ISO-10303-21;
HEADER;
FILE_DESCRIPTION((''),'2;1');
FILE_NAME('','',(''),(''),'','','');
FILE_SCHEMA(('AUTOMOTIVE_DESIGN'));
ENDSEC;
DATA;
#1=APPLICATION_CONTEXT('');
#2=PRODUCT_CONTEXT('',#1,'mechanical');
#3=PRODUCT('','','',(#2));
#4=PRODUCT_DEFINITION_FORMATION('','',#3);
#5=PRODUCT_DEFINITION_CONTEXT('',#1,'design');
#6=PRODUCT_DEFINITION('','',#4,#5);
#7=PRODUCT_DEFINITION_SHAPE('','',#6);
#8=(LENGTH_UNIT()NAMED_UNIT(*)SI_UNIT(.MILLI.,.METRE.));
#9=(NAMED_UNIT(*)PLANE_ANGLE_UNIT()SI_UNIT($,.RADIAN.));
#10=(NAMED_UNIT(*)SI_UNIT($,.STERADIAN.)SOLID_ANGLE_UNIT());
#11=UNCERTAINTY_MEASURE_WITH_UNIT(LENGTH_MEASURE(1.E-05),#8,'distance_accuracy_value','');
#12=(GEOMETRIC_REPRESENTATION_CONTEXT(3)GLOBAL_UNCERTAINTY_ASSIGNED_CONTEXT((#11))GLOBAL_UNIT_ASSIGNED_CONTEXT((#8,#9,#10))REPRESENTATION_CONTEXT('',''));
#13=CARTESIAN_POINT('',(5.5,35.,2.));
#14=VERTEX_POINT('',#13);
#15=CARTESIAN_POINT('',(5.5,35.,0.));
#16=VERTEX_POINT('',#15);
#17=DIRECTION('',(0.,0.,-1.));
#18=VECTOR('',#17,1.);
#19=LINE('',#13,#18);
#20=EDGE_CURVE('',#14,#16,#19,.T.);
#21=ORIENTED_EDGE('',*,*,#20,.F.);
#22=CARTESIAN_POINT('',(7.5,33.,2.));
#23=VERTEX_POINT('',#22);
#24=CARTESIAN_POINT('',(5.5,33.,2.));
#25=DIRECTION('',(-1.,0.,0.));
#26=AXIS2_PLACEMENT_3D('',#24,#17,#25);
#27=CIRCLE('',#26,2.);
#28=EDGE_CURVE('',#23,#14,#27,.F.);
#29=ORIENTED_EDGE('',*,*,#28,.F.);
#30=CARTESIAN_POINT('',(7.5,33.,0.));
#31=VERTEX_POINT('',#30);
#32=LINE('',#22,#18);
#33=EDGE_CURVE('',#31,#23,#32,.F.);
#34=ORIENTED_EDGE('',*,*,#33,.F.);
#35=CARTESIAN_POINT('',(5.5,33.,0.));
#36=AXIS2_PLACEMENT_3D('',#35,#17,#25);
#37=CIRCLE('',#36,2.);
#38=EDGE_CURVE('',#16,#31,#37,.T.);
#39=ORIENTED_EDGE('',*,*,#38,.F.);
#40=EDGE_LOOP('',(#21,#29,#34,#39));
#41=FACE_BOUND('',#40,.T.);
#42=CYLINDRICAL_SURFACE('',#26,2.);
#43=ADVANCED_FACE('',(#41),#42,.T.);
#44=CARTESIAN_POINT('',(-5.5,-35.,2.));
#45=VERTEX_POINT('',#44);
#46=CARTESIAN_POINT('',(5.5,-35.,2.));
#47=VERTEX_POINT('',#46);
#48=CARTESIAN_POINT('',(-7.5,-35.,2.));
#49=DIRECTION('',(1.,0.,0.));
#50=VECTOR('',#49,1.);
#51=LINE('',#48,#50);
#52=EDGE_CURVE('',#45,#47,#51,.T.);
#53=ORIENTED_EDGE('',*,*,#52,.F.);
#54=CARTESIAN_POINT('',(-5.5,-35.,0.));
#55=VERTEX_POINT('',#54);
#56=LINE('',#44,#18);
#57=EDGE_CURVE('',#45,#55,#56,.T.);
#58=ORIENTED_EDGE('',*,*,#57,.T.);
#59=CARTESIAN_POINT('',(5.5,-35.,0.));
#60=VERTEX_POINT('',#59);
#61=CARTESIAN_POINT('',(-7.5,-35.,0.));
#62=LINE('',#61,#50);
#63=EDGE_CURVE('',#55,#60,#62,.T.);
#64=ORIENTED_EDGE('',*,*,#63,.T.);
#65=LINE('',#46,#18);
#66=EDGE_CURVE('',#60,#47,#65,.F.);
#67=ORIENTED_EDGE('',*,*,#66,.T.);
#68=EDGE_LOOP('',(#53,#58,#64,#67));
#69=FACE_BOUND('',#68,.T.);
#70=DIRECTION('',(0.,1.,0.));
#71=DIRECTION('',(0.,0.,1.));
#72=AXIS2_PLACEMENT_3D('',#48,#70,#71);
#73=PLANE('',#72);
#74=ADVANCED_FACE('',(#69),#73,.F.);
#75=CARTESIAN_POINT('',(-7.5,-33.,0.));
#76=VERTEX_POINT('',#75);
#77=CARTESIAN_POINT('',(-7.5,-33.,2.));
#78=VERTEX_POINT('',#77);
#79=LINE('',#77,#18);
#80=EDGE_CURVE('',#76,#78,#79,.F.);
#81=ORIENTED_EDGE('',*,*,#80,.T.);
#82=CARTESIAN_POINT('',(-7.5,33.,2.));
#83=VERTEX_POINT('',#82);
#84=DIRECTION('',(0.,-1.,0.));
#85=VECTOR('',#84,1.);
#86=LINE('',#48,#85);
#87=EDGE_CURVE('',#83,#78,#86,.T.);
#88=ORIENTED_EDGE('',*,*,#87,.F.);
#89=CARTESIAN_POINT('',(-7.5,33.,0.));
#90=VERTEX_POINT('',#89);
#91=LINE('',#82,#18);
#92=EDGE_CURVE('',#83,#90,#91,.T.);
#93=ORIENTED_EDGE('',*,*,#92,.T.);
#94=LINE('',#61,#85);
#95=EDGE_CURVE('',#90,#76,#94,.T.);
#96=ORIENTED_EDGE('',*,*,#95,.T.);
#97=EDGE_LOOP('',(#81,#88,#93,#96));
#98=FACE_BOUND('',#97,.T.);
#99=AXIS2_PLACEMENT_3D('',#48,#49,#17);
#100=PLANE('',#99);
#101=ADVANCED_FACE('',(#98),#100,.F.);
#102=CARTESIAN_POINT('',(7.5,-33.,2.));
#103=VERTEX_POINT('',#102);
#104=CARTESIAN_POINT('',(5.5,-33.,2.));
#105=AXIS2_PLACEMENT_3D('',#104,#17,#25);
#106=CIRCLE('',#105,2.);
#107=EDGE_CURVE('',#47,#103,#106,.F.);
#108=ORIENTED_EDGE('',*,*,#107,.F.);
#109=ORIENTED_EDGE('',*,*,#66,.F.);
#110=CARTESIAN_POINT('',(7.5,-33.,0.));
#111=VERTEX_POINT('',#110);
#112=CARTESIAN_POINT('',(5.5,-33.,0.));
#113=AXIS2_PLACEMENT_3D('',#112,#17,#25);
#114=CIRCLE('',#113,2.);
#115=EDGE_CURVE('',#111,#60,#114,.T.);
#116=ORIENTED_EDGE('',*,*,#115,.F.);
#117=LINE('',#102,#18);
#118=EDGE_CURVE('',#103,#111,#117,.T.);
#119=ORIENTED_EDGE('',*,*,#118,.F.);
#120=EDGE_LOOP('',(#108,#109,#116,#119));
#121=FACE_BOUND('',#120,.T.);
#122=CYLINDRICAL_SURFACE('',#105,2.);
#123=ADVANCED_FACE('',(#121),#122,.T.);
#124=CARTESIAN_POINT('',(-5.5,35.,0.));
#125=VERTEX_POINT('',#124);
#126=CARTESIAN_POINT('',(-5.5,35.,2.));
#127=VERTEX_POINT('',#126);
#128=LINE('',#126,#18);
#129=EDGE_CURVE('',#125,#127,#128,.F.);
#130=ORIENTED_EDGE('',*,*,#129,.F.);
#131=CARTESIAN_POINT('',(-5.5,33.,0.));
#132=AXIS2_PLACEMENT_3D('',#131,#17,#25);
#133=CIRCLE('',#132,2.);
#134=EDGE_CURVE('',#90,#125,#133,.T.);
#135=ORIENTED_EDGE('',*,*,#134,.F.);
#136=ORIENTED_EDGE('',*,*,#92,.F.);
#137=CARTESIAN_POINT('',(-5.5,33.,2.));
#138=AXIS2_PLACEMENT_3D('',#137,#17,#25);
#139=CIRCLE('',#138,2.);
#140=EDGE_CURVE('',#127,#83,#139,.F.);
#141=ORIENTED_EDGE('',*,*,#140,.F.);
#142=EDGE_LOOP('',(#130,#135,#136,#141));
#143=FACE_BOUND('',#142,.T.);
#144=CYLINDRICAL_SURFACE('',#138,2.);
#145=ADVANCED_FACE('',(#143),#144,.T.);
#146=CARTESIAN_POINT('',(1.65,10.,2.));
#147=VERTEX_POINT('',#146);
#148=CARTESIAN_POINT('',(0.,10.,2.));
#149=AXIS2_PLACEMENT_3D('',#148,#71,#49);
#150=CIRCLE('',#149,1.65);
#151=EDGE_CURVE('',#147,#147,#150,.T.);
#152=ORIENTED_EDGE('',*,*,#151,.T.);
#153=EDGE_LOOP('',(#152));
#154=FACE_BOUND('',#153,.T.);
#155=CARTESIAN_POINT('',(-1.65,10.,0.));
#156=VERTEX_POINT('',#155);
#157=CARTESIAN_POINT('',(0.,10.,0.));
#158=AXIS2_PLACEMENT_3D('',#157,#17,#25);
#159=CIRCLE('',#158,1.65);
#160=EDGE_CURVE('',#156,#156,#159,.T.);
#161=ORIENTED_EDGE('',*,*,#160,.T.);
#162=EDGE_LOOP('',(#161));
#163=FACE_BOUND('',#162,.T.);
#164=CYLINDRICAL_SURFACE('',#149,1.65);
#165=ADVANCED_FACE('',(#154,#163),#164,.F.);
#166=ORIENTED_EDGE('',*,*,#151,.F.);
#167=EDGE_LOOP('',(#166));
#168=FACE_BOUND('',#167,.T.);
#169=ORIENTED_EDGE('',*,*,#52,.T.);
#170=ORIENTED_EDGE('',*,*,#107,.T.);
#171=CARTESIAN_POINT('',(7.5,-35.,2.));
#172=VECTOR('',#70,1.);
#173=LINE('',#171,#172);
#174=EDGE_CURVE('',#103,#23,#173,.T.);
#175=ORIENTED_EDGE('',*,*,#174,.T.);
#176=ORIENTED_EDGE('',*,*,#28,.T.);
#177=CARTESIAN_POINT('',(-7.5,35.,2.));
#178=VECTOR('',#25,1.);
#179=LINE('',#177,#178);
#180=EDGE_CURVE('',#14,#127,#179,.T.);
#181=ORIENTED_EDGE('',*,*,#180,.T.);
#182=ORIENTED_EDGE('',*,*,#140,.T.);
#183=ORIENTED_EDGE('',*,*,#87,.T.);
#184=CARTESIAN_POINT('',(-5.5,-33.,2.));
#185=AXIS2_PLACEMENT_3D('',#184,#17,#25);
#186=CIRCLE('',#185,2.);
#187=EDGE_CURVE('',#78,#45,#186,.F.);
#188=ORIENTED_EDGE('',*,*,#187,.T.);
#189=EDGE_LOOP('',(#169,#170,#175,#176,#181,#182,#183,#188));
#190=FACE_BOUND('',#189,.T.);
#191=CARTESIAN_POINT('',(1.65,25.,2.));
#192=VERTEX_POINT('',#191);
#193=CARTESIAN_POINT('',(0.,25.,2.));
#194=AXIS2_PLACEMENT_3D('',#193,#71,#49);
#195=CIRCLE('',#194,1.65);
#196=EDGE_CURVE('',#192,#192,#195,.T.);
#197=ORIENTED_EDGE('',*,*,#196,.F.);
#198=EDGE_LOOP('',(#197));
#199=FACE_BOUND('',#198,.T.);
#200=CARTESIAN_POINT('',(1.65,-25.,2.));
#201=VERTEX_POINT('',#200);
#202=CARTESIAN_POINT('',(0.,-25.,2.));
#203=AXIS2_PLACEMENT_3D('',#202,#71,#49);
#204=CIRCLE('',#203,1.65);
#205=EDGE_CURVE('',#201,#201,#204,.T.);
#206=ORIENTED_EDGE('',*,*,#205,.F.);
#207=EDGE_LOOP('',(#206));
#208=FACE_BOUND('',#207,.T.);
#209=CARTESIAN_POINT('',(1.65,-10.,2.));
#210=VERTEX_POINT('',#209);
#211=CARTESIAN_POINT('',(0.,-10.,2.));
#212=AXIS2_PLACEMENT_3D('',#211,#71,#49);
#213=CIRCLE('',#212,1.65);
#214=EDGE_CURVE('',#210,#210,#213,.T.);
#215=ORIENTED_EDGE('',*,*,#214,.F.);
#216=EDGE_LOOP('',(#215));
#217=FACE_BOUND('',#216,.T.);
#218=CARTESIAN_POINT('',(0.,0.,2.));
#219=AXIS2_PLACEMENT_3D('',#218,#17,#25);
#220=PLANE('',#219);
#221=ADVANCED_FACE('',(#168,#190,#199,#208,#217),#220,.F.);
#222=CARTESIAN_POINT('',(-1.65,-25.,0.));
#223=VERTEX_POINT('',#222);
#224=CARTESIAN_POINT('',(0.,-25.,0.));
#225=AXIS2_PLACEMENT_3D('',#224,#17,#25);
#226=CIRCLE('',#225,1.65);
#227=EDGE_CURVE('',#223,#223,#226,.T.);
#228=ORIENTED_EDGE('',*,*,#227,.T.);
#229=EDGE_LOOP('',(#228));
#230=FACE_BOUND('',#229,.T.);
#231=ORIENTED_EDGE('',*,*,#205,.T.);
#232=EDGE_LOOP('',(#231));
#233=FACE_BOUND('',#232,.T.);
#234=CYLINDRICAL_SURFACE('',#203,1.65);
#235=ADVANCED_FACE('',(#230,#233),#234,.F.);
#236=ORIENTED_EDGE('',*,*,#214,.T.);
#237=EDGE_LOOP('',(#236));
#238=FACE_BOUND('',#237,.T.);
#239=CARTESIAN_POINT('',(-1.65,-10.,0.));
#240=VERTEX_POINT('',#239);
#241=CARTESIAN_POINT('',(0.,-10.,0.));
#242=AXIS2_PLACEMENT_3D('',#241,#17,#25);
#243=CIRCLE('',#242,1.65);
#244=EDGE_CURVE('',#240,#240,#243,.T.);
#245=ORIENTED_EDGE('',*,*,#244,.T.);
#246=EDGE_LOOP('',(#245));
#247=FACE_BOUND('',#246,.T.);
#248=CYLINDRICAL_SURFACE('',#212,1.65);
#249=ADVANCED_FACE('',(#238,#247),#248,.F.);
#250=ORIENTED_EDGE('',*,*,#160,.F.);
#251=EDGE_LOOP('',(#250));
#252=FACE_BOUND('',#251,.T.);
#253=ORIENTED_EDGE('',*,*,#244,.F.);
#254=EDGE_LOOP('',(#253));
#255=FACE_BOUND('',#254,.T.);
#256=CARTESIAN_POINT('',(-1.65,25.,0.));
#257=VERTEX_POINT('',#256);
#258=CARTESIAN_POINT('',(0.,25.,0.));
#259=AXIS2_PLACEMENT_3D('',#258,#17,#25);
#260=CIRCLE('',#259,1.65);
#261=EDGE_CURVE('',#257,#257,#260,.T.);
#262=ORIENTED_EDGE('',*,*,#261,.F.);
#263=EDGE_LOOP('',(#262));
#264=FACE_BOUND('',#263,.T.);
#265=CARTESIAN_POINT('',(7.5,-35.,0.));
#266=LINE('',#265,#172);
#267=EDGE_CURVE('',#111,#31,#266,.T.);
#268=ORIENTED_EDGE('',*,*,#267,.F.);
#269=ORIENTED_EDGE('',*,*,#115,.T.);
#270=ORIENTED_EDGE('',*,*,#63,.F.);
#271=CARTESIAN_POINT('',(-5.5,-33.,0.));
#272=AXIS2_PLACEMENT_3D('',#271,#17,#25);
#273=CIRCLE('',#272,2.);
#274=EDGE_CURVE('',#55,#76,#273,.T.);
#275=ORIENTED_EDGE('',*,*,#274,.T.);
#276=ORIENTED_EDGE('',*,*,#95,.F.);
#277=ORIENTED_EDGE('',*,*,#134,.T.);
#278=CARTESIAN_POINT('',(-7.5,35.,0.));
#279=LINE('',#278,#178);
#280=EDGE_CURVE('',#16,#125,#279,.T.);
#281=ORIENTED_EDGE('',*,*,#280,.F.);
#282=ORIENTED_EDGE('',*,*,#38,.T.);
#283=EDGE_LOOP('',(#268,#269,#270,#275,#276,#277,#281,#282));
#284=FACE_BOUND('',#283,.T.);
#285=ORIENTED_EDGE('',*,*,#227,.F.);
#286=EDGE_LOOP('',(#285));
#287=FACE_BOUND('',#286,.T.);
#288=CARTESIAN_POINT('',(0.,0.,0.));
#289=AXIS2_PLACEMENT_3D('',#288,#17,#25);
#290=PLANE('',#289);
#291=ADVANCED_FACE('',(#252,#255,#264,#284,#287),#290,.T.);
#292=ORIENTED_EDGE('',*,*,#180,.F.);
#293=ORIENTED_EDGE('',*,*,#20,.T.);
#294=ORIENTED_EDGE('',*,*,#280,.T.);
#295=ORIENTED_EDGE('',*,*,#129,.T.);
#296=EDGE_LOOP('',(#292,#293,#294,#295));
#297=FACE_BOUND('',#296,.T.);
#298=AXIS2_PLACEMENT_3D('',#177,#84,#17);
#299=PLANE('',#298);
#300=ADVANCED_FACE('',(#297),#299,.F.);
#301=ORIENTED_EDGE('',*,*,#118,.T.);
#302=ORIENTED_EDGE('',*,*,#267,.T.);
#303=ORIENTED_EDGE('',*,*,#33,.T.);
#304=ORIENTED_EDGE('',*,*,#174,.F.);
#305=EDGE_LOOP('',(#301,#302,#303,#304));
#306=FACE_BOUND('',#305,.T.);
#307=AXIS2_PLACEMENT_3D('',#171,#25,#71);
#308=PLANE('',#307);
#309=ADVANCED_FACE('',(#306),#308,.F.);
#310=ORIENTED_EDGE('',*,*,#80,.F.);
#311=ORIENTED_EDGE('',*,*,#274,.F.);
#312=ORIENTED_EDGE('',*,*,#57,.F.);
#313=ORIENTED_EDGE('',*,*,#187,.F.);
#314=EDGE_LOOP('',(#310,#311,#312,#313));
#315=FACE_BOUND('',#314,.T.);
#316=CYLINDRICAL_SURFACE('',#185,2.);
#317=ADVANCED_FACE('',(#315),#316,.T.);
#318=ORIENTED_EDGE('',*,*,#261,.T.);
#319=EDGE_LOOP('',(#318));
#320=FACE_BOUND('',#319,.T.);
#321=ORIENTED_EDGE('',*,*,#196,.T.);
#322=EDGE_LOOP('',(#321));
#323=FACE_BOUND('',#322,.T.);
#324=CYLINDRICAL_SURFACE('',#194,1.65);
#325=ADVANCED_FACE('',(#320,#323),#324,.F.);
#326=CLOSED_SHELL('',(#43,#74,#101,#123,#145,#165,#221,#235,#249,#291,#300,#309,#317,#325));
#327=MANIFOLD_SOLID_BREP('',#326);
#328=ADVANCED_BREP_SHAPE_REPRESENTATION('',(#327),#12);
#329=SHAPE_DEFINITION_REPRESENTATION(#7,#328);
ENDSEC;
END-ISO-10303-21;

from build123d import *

# Parameters (mm, degrees)
SKETCH_1_W            = 15
SKETCH_1_H            = 70
EXTRUDE_1_DEPTH       = 2
HOLE_WIZARD_M41_D     = 3.3
HOLE_WIZARD_M41_DEPTH = 11.5
HOLE_WIZARD_M41_TIP   = 0.991420021
FILLET_1_R            = 2


with BuildPart() as part:
    # Эскиз1 → Бобышка-Вытянуть1 (new body)
    with BuildSketch(Plane.XY):
        Rectangle(SKETCH_1_W, SKETCH_1_H)
    extrude(amount=EXTRUDE_1_DEPTH)

    # Отверстие обработанное метчиком M41
    with Locations(Plane.XY.offset(2)):
        with Locations((0, 25), (0, -25), (0, -10), (0, 10)):
            Hole(HOLE_WIZARD_M41_D / 2, depth=HOLE_WIZARD_M41_DEPTH)
            with Locations((0, 0, -(HOLE_WIZARD_M41_DEPTH + HOLE_WIZARD_M41_TIP / 2))):  # 118° drill point
                Cone(0, HOLE_WIZARD_M41_D / 2, HOLE_WIZARD_M41_TIP, mode=Mode.SUBTRACT)

    # Скругление1
    fillet_1_edges = [part.edges().sort_by_distance(p)[0] for p in [
        (7.5, -35, 1),
        (-7.5, -35, 1),
        (-7.5, 35, 1),
        (7.5, 35, 1),
    ]]
    fillet(fillet_1_edges, radius=FILLET_1_R)


solid = part.part
